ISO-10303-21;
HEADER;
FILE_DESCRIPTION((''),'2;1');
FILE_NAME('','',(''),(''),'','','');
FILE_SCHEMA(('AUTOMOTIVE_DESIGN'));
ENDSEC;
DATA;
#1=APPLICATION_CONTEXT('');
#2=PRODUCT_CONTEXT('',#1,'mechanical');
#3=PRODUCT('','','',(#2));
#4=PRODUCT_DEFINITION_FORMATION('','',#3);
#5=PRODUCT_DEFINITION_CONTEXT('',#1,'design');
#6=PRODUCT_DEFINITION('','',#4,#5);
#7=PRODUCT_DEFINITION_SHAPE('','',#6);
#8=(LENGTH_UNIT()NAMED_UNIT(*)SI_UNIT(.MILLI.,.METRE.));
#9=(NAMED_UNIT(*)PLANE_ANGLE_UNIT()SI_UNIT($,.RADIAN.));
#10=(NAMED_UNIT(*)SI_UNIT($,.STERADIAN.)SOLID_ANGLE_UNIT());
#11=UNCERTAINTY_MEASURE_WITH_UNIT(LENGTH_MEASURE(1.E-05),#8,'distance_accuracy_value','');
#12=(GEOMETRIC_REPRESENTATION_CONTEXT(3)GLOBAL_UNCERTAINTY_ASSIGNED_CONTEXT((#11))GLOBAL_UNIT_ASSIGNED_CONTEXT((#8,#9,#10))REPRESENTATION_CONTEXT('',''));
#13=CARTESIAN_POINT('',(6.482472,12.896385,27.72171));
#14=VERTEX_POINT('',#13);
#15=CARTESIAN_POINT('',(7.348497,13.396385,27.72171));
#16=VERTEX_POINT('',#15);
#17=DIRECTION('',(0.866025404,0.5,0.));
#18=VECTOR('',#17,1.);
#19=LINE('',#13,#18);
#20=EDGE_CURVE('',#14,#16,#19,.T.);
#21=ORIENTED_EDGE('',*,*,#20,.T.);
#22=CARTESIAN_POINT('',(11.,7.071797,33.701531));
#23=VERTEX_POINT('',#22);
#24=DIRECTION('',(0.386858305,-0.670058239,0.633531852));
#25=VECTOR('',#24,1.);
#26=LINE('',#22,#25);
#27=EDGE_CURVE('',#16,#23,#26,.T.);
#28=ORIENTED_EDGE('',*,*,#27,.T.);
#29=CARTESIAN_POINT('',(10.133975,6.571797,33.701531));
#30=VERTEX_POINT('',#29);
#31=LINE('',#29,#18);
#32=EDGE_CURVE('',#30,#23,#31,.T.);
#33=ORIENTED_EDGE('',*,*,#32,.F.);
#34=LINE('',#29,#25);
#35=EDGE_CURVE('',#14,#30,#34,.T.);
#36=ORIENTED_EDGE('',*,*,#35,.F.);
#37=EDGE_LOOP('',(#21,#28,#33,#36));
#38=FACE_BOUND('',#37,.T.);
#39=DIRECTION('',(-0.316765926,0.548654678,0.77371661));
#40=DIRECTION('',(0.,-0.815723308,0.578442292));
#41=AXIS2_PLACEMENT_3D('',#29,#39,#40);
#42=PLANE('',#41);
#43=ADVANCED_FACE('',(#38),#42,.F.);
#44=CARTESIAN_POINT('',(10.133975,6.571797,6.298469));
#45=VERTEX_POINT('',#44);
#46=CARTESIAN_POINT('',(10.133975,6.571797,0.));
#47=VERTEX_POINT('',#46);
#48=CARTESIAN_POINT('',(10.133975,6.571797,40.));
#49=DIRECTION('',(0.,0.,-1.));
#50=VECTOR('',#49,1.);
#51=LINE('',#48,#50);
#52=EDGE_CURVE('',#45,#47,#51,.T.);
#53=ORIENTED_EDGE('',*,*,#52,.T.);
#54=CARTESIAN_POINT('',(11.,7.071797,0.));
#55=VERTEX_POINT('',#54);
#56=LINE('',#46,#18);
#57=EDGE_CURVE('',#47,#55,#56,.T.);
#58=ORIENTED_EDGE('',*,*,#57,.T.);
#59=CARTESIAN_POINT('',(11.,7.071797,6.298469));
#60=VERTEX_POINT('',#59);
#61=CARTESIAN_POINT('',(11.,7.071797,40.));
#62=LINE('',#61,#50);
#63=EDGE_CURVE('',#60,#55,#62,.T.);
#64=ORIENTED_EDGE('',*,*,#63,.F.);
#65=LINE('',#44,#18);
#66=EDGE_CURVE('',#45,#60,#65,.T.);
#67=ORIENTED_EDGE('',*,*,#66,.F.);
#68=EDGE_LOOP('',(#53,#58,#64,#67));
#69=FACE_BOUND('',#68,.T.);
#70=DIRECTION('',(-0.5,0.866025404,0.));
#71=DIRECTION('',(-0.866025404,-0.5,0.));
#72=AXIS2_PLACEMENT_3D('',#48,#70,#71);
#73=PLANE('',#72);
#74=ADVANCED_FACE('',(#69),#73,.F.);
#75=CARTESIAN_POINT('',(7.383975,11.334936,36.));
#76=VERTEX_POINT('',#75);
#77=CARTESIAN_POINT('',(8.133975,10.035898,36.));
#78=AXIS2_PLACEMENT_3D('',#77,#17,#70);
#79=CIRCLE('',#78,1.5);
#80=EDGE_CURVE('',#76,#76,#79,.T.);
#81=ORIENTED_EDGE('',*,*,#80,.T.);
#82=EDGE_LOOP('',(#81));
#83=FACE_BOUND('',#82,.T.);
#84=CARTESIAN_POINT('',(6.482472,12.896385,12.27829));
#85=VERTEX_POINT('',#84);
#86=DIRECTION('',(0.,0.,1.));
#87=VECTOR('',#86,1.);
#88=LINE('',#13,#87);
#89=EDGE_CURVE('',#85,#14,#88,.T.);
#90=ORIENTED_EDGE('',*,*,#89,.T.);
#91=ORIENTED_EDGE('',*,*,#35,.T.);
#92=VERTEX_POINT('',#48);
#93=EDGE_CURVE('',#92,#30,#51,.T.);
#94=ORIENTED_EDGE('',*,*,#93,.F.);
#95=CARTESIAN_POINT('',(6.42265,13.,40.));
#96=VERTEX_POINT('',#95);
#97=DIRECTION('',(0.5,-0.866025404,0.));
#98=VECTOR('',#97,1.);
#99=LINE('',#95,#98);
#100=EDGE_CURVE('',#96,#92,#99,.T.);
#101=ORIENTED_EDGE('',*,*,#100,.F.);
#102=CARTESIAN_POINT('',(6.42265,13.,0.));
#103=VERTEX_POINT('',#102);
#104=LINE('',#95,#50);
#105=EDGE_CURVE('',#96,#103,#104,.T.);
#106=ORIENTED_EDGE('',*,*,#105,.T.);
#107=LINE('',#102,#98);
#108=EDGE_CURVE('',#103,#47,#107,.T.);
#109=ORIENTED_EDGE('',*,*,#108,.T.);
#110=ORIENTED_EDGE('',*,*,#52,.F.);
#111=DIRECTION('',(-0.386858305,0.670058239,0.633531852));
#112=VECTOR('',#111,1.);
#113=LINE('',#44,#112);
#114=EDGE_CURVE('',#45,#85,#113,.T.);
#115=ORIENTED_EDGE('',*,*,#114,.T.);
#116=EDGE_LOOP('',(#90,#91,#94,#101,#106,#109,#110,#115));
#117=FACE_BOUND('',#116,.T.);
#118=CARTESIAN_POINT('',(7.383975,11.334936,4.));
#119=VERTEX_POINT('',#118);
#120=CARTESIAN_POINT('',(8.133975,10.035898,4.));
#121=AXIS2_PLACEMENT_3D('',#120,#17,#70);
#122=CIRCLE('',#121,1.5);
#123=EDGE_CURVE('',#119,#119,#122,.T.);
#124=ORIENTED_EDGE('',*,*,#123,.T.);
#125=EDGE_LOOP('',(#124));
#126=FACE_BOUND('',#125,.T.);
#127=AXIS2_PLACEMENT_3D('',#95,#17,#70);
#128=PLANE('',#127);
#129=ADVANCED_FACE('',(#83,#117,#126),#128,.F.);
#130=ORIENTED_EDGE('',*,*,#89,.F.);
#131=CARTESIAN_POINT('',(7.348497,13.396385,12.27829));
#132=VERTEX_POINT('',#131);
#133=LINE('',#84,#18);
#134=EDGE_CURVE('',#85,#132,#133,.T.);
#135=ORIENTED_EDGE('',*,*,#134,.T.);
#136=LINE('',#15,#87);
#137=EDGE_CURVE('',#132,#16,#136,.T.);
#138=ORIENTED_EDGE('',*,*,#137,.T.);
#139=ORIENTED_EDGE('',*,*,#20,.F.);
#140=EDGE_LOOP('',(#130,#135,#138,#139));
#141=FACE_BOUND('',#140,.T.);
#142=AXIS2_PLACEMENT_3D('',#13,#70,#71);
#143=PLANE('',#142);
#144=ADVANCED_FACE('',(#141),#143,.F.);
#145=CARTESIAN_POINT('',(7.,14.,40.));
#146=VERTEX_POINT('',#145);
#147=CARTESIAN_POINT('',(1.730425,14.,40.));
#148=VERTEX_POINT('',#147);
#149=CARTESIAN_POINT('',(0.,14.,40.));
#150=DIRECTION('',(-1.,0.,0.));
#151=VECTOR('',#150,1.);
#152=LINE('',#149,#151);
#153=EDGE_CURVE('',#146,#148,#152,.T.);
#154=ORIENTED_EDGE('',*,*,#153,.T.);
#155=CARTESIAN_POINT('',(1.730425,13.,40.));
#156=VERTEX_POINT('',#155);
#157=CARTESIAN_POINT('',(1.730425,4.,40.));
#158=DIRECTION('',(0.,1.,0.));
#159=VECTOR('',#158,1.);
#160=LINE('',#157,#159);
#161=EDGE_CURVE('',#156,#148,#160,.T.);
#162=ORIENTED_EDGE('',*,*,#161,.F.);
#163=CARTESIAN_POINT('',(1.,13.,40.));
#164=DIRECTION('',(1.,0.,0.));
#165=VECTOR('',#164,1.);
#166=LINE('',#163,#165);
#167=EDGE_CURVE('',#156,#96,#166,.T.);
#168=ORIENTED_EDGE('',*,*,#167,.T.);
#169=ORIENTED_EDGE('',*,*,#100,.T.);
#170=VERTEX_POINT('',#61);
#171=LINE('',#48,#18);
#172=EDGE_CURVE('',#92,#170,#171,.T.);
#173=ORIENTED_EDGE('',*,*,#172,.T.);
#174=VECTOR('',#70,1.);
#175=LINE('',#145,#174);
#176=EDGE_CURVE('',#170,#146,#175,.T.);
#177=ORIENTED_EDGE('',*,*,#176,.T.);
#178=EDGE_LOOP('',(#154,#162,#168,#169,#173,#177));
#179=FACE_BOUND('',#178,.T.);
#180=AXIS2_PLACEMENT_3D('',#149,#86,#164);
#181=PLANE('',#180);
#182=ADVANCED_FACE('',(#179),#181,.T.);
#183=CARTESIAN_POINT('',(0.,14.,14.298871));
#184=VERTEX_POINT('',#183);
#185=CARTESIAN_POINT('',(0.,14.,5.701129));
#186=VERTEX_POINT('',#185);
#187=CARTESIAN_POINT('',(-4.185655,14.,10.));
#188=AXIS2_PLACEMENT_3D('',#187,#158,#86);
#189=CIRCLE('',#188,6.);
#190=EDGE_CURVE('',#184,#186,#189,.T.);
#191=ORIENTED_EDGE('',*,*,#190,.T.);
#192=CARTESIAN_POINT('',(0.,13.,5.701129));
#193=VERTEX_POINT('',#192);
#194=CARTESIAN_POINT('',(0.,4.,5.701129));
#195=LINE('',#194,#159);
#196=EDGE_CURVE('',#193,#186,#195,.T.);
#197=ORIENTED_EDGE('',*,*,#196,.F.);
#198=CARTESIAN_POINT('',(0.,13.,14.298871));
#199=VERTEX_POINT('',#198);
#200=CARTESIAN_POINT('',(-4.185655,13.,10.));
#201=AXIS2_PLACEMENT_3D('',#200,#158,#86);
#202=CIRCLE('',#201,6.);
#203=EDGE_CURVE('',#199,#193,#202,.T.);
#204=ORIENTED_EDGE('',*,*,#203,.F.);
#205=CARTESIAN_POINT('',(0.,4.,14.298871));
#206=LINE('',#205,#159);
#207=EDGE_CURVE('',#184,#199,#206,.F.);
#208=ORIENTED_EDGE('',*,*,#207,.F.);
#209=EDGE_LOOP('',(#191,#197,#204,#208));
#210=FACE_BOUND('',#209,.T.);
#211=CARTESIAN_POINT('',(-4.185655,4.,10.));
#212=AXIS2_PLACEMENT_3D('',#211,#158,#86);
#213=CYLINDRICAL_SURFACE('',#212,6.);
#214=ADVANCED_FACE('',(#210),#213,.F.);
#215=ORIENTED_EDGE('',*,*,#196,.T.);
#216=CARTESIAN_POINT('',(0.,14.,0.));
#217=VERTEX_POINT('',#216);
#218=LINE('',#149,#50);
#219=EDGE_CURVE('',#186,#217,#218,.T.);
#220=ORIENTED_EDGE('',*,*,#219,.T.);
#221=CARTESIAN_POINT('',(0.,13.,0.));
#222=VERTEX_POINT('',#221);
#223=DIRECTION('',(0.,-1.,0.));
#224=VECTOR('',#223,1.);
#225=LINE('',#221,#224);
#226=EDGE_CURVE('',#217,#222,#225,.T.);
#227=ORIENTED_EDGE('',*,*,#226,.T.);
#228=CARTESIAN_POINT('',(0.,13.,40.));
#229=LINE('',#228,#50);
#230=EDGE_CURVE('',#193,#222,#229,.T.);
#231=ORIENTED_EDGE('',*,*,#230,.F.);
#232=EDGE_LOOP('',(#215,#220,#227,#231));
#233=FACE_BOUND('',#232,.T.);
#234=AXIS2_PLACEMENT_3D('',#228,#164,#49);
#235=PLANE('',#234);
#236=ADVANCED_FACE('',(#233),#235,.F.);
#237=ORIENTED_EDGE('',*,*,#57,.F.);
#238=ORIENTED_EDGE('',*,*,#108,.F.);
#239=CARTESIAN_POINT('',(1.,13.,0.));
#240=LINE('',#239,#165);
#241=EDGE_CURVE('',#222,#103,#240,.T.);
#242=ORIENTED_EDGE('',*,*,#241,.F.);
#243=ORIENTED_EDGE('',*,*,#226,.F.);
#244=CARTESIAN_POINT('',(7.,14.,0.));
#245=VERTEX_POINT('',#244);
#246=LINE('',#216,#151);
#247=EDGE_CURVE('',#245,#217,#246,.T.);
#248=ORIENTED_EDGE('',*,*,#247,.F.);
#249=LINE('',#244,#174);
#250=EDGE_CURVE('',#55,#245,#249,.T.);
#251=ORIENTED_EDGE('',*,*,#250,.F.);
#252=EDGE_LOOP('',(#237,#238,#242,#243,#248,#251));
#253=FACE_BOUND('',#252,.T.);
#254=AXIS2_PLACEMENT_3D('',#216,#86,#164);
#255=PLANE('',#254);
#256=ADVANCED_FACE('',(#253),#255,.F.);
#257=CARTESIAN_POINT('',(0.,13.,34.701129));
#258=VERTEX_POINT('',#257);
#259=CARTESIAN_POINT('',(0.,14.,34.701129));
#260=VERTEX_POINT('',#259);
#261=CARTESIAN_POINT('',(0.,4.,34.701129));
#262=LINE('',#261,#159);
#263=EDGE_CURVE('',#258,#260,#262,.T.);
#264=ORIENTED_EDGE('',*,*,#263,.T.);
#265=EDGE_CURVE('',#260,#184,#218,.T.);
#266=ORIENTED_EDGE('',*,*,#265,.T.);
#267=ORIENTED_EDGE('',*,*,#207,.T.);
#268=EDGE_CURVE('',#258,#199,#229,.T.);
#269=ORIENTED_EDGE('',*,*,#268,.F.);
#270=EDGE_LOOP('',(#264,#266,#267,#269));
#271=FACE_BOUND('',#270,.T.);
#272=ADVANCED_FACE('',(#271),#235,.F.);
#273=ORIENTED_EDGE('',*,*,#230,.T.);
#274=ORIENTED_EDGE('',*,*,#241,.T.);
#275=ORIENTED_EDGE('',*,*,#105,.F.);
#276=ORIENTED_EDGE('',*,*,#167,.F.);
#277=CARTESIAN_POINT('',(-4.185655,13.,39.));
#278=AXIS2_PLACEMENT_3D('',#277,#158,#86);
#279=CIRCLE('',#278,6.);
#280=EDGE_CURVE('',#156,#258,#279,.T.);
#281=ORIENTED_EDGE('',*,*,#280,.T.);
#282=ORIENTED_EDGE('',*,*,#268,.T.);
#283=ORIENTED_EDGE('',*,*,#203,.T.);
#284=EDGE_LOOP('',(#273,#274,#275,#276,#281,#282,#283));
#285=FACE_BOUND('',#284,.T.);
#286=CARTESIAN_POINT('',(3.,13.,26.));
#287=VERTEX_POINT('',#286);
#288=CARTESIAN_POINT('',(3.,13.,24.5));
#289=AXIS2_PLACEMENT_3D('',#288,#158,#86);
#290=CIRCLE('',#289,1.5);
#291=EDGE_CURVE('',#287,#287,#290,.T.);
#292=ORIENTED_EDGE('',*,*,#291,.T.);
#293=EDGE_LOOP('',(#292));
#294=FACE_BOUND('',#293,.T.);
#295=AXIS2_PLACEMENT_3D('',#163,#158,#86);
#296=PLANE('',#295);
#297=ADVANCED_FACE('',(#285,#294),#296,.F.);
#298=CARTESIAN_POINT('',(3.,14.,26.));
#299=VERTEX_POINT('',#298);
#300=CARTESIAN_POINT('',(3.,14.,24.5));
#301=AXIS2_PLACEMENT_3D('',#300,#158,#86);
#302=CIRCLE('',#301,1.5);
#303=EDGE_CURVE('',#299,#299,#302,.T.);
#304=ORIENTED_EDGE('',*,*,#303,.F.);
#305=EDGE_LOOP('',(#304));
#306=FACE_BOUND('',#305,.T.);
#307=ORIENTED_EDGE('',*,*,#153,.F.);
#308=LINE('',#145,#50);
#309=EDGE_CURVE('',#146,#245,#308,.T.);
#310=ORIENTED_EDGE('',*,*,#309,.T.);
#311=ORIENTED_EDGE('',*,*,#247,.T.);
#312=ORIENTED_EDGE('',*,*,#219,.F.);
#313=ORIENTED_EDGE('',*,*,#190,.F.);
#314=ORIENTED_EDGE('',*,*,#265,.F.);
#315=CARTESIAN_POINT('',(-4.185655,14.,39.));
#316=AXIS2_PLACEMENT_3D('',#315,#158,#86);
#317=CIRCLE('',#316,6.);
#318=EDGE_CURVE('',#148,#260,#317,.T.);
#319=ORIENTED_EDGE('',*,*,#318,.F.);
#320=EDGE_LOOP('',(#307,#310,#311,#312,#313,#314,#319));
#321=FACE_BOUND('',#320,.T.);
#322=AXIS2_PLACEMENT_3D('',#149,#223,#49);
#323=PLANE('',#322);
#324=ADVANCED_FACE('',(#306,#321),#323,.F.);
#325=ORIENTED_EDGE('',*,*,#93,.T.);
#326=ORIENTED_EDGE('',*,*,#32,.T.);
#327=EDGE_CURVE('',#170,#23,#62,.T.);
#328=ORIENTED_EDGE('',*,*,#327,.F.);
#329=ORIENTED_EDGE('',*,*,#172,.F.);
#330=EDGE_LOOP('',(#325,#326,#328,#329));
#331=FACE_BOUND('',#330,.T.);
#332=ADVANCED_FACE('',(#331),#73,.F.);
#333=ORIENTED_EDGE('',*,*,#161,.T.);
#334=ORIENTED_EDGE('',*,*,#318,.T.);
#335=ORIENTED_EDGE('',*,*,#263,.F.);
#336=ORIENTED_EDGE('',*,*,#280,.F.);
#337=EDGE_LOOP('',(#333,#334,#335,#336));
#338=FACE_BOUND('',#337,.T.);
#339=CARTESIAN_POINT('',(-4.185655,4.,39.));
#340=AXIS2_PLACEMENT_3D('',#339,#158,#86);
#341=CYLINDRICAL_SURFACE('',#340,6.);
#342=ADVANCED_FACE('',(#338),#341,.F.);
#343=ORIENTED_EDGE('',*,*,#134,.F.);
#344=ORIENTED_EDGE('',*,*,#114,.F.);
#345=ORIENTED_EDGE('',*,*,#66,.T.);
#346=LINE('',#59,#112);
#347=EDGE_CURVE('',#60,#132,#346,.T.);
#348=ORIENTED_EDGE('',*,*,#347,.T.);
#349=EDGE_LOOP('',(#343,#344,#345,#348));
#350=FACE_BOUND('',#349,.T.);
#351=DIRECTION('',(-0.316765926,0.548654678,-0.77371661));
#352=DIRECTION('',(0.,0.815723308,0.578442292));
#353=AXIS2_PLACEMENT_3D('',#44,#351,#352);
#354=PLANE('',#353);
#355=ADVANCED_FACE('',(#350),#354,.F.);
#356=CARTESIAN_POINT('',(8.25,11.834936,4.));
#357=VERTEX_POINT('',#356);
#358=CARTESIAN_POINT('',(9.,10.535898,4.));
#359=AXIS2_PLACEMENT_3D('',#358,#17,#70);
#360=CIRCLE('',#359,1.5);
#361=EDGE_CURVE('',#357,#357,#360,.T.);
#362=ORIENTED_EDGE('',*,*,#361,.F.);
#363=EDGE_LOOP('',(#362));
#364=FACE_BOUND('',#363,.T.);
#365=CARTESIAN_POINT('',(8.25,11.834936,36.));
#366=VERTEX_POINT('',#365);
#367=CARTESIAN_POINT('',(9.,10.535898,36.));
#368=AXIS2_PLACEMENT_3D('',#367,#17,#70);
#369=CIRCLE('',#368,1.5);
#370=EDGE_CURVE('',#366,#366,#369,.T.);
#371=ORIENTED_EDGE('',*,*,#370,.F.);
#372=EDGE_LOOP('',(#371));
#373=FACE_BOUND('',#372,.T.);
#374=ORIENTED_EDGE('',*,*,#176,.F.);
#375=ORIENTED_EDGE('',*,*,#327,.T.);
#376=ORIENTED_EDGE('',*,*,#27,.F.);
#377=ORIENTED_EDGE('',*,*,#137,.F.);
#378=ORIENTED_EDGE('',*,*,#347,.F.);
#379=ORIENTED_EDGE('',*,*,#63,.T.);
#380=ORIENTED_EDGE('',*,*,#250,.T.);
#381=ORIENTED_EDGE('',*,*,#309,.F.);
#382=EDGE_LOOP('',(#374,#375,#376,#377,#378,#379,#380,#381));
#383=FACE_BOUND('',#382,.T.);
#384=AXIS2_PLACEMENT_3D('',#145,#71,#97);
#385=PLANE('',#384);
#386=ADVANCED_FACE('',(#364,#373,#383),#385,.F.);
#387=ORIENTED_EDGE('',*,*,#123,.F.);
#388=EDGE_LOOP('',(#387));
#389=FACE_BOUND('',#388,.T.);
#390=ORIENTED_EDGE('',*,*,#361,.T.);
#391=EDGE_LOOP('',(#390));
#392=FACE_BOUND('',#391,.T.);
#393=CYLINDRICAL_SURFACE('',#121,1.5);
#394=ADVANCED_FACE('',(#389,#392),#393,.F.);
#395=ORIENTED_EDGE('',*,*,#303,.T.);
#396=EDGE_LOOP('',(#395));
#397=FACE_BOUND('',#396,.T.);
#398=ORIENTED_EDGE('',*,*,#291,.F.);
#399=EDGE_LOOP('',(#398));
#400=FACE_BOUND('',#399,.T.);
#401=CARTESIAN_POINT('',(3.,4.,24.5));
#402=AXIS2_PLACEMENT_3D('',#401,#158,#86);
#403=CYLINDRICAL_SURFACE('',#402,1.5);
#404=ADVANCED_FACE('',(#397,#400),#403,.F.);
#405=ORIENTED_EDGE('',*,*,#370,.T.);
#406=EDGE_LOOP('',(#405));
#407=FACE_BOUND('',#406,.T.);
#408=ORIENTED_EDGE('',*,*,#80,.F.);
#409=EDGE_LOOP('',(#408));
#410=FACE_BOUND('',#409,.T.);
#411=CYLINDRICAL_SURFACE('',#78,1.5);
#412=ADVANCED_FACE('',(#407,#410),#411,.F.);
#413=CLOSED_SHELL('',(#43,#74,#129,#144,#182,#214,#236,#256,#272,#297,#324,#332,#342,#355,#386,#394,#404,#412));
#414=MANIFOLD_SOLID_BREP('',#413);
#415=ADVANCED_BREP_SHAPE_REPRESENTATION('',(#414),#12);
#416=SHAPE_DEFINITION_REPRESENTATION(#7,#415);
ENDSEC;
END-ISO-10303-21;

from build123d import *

# Parameters (mm, degrees)
BOSS_EXTRUDE1_DEPTH = 40
SKETCH3_R           = 1.5
CUT_EXTRUDE2_DEPTH  = 1
SKETCH4_R           = 1.5
SKETCH4_R_2         = 6
CUT_EXTRUDE3_DEPTH  = 10


with BuildPart() as part:
    # Sketch1 → Boss-Extrude1 (new body)
    with BuildSketch(Plane.XY):
        Polygon((0, 13), (0, 14), (7, 14), (11, 7.07179677), (10.133974596, 6.57179677), (6.422649731, 13), (1, 13), align=None)
    extrude(amount=BOSS_EXTRUDE1_DEPTH)

    # Sketch3 → Cut-Extrude2 (cut)
    with BuildSketch(Plane(origin=(11.312177826, 6.531088913, 0), x_dir=(0, 0, -1), z_dir=(0.8660254037844402, 0.4999999999999976, 0))):
        with Locations(Location((-36, 4.624355653, 0), (0, 0, 90))):
            Circle(SKETCH3_R)
        with Locations(Location((-4, 4.624355653, 0), (0, 0, 90))):
            Circle(SKETCH3_R)
        Polygon((-33.701530723, 0.624355653), (-27.721710311, 7.927360795), (-12.278289689, 7.927360795), (-6.298469277, 0.624355653), align=None)
    extrude(amount=-CUT_EXTRUDE2_DEPTH, mode=Mode.SUBTRACT)

    # Sketch4 → Cut-Extrude3 (cut)
    with BuildSketch(Plane(origin=(0, 14, 0), x_dir=(-1, 0, 0), z_dir=(0, 1, 0))):
        with Locations(Location((-3, 24.5, 0), (0, 0, 90))):
            Circle(SKETCH4_R)
        with Locations((4.185654705, 10)):
            Circle(SKETCH4_R_2)
        with Locations((4.185654705, 39)):
            Circle(SKETCH4_R_2)
    extrude(amount=-CUT_EXTRUDE3_DEPTH, mode=Mode.SUBTRACT)


solid = part.part
